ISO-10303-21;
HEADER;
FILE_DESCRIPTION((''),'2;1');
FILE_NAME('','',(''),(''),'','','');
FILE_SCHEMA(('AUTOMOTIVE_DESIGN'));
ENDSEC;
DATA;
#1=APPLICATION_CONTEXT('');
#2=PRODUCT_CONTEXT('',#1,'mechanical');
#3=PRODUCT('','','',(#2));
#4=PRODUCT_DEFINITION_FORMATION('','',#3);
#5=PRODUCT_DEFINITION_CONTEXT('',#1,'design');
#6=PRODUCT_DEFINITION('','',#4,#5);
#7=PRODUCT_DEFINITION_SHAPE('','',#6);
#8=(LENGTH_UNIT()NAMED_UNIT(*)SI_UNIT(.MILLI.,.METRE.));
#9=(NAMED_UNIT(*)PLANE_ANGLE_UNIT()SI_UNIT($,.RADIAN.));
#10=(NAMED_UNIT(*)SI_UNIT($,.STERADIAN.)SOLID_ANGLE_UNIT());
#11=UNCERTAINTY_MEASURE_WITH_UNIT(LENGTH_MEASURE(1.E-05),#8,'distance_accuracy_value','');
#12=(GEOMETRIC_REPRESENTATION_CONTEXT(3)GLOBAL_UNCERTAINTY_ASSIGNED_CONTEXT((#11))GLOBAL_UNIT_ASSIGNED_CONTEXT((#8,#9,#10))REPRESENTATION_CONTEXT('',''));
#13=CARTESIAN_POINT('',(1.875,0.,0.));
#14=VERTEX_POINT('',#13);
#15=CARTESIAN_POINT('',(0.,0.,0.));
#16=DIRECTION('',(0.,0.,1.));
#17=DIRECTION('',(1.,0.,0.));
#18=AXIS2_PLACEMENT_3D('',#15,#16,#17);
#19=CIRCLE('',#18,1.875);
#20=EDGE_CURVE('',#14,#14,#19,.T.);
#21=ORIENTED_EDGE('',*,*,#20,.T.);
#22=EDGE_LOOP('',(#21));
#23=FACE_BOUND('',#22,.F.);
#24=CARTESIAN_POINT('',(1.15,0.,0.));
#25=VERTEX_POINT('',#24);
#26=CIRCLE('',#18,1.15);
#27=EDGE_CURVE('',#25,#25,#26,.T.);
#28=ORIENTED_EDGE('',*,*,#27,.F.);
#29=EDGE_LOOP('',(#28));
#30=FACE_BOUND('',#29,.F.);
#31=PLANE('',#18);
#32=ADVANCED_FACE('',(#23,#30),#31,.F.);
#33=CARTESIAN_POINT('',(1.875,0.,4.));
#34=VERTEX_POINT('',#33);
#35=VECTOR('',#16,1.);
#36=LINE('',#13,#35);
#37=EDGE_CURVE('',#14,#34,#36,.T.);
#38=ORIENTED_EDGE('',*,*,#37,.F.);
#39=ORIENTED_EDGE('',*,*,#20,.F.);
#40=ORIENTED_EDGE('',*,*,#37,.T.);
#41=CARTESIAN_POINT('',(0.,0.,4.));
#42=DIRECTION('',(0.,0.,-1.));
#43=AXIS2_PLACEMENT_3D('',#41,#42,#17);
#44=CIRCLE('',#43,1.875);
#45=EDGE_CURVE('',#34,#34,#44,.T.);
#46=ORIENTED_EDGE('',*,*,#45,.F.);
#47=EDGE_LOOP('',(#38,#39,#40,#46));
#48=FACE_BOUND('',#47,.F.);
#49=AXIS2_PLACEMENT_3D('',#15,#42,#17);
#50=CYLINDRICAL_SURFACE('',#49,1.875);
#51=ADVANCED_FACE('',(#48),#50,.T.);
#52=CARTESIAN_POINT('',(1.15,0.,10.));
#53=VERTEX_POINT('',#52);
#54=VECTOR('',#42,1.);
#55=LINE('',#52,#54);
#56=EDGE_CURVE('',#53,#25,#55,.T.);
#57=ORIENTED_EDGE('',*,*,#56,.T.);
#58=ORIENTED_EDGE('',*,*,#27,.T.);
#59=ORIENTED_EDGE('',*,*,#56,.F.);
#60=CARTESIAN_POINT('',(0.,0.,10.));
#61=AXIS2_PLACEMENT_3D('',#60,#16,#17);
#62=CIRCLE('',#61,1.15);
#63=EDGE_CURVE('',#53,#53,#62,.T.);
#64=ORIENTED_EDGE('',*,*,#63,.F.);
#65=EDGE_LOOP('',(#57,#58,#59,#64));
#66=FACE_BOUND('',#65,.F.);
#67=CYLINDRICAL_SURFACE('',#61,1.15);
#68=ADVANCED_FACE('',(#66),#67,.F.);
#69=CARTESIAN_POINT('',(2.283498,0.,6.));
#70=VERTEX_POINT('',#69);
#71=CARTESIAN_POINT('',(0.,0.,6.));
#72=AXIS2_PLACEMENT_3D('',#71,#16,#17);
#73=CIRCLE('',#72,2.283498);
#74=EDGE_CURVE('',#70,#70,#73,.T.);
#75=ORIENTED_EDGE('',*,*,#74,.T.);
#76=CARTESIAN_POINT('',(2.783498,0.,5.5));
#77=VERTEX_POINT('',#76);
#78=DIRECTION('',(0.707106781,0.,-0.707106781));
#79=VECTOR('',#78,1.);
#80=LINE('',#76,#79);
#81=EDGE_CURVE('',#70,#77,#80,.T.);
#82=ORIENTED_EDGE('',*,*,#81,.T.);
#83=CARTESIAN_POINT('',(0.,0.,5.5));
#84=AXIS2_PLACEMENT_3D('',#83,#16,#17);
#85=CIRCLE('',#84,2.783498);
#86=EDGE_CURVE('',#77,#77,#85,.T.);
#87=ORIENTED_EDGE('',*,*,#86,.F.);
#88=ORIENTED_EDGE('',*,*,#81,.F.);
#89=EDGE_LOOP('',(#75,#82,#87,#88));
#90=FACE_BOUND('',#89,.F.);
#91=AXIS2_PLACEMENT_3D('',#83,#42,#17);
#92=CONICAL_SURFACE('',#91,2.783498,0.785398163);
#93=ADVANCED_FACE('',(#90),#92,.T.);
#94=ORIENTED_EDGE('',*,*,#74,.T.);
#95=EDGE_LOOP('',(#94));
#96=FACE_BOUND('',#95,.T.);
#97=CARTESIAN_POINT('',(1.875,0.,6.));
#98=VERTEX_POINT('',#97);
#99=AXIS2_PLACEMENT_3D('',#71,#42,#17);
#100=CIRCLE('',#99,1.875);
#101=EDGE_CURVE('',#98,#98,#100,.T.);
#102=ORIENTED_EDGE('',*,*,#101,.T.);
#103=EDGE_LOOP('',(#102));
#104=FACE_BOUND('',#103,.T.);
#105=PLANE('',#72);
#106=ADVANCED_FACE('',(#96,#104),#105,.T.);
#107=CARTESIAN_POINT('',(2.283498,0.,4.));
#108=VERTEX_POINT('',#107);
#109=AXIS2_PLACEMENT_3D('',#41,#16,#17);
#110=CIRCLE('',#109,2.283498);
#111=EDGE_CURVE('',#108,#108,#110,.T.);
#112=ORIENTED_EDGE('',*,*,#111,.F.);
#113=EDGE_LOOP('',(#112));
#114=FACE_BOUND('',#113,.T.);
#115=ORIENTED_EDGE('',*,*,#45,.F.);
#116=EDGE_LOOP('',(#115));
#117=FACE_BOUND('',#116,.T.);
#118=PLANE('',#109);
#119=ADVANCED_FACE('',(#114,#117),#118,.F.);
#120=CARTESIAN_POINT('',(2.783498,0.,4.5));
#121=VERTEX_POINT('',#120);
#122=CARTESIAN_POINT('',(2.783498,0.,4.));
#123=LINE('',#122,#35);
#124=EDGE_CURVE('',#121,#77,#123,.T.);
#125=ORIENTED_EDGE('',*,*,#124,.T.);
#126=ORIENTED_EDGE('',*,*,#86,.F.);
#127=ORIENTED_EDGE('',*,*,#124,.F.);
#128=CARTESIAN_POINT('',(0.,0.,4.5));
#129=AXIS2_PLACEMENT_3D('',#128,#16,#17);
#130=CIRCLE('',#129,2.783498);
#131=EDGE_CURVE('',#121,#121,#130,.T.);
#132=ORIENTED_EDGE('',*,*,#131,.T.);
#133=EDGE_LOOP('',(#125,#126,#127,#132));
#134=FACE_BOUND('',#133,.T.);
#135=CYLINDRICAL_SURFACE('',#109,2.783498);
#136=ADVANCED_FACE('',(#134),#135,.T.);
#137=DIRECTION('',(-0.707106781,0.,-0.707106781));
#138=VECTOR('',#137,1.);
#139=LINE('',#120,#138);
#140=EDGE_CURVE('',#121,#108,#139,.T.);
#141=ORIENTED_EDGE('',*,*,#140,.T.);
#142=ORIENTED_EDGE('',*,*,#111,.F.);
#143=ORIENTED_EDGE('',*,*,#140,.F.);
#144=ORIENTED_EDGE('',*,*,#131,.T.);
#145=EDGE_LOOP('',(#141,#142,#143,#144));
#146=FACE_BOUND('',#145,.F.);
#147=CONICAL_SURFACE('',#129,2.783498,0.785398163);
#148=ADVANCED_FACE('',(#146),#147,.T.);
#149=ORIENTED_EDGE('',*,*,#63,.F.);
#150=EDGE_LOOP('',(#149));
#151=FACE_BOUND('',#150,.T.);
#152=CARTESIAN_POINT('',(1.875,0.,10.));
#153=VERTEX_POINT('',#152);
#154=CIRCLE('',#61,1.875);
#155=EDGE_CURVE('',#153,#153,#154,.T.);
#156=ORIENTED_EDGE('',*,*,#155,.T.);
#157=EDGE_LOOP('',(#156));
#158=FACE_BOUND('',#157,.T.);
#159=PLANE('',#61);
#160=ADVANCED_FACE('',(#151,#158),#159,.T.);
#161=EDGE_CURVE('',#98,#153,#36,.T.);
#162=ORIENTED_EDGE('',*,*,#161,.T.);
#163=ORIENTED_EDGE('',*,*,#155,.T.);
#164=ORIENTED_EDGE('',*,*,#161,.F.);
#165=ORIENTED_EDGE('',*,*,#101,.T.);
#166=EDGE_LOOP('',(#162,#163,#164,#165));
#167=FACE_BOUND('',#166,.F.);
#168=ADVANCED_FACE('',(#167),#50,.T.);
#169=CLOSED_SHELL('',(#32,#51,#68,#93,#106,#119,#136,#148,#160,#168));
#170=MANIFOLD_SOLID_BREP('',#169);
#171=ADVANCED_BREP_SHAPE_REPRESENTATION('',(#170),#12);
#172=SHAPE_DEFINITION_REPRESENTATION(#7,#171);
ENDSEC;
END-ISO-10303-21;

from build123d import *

# Parameters (mm, degrees)
F0_R     = 1.875
F1_DEPTH = 10
F2_R     = 1.15
F3_DEPTH = 25
F6_SIZE  = 0.5


with BuildPart() as f1:
    # F0 (on Top) → F1 (new body)
    with BuildSketch(Plane.XY):
        Circle(F0_R)
    extrude(amount=F1_DEPTH)

    # F2 (on face) → F3 (cut)
    with BuildSketch(Plane.XY.offset(10)):
        Circle(F2_R)
    extrude(amount=-F3_DEPTH, mode=Mode.SUBTRACT)

    # F4 (on Front) → F5 (revolve)
    with BuildSketch(Plane.XZ):
        Polygon((1.738653, 6), (1.783498, 4), (2.783498, 4), (2.783498, 6), align=None)
    revolve(axis=Axis((0, 0, 3.566666), (0, 0, 1)))

    # F6
    f6_edges = [f1.edges().sort_by_distance(p)[0] for p in [
        (-2.783498, 0, 4),
        (-2.783498, 0, 6),
    ]]
    chamfer(f6_edges, length=F6_SIZE)


solid = f1.part
